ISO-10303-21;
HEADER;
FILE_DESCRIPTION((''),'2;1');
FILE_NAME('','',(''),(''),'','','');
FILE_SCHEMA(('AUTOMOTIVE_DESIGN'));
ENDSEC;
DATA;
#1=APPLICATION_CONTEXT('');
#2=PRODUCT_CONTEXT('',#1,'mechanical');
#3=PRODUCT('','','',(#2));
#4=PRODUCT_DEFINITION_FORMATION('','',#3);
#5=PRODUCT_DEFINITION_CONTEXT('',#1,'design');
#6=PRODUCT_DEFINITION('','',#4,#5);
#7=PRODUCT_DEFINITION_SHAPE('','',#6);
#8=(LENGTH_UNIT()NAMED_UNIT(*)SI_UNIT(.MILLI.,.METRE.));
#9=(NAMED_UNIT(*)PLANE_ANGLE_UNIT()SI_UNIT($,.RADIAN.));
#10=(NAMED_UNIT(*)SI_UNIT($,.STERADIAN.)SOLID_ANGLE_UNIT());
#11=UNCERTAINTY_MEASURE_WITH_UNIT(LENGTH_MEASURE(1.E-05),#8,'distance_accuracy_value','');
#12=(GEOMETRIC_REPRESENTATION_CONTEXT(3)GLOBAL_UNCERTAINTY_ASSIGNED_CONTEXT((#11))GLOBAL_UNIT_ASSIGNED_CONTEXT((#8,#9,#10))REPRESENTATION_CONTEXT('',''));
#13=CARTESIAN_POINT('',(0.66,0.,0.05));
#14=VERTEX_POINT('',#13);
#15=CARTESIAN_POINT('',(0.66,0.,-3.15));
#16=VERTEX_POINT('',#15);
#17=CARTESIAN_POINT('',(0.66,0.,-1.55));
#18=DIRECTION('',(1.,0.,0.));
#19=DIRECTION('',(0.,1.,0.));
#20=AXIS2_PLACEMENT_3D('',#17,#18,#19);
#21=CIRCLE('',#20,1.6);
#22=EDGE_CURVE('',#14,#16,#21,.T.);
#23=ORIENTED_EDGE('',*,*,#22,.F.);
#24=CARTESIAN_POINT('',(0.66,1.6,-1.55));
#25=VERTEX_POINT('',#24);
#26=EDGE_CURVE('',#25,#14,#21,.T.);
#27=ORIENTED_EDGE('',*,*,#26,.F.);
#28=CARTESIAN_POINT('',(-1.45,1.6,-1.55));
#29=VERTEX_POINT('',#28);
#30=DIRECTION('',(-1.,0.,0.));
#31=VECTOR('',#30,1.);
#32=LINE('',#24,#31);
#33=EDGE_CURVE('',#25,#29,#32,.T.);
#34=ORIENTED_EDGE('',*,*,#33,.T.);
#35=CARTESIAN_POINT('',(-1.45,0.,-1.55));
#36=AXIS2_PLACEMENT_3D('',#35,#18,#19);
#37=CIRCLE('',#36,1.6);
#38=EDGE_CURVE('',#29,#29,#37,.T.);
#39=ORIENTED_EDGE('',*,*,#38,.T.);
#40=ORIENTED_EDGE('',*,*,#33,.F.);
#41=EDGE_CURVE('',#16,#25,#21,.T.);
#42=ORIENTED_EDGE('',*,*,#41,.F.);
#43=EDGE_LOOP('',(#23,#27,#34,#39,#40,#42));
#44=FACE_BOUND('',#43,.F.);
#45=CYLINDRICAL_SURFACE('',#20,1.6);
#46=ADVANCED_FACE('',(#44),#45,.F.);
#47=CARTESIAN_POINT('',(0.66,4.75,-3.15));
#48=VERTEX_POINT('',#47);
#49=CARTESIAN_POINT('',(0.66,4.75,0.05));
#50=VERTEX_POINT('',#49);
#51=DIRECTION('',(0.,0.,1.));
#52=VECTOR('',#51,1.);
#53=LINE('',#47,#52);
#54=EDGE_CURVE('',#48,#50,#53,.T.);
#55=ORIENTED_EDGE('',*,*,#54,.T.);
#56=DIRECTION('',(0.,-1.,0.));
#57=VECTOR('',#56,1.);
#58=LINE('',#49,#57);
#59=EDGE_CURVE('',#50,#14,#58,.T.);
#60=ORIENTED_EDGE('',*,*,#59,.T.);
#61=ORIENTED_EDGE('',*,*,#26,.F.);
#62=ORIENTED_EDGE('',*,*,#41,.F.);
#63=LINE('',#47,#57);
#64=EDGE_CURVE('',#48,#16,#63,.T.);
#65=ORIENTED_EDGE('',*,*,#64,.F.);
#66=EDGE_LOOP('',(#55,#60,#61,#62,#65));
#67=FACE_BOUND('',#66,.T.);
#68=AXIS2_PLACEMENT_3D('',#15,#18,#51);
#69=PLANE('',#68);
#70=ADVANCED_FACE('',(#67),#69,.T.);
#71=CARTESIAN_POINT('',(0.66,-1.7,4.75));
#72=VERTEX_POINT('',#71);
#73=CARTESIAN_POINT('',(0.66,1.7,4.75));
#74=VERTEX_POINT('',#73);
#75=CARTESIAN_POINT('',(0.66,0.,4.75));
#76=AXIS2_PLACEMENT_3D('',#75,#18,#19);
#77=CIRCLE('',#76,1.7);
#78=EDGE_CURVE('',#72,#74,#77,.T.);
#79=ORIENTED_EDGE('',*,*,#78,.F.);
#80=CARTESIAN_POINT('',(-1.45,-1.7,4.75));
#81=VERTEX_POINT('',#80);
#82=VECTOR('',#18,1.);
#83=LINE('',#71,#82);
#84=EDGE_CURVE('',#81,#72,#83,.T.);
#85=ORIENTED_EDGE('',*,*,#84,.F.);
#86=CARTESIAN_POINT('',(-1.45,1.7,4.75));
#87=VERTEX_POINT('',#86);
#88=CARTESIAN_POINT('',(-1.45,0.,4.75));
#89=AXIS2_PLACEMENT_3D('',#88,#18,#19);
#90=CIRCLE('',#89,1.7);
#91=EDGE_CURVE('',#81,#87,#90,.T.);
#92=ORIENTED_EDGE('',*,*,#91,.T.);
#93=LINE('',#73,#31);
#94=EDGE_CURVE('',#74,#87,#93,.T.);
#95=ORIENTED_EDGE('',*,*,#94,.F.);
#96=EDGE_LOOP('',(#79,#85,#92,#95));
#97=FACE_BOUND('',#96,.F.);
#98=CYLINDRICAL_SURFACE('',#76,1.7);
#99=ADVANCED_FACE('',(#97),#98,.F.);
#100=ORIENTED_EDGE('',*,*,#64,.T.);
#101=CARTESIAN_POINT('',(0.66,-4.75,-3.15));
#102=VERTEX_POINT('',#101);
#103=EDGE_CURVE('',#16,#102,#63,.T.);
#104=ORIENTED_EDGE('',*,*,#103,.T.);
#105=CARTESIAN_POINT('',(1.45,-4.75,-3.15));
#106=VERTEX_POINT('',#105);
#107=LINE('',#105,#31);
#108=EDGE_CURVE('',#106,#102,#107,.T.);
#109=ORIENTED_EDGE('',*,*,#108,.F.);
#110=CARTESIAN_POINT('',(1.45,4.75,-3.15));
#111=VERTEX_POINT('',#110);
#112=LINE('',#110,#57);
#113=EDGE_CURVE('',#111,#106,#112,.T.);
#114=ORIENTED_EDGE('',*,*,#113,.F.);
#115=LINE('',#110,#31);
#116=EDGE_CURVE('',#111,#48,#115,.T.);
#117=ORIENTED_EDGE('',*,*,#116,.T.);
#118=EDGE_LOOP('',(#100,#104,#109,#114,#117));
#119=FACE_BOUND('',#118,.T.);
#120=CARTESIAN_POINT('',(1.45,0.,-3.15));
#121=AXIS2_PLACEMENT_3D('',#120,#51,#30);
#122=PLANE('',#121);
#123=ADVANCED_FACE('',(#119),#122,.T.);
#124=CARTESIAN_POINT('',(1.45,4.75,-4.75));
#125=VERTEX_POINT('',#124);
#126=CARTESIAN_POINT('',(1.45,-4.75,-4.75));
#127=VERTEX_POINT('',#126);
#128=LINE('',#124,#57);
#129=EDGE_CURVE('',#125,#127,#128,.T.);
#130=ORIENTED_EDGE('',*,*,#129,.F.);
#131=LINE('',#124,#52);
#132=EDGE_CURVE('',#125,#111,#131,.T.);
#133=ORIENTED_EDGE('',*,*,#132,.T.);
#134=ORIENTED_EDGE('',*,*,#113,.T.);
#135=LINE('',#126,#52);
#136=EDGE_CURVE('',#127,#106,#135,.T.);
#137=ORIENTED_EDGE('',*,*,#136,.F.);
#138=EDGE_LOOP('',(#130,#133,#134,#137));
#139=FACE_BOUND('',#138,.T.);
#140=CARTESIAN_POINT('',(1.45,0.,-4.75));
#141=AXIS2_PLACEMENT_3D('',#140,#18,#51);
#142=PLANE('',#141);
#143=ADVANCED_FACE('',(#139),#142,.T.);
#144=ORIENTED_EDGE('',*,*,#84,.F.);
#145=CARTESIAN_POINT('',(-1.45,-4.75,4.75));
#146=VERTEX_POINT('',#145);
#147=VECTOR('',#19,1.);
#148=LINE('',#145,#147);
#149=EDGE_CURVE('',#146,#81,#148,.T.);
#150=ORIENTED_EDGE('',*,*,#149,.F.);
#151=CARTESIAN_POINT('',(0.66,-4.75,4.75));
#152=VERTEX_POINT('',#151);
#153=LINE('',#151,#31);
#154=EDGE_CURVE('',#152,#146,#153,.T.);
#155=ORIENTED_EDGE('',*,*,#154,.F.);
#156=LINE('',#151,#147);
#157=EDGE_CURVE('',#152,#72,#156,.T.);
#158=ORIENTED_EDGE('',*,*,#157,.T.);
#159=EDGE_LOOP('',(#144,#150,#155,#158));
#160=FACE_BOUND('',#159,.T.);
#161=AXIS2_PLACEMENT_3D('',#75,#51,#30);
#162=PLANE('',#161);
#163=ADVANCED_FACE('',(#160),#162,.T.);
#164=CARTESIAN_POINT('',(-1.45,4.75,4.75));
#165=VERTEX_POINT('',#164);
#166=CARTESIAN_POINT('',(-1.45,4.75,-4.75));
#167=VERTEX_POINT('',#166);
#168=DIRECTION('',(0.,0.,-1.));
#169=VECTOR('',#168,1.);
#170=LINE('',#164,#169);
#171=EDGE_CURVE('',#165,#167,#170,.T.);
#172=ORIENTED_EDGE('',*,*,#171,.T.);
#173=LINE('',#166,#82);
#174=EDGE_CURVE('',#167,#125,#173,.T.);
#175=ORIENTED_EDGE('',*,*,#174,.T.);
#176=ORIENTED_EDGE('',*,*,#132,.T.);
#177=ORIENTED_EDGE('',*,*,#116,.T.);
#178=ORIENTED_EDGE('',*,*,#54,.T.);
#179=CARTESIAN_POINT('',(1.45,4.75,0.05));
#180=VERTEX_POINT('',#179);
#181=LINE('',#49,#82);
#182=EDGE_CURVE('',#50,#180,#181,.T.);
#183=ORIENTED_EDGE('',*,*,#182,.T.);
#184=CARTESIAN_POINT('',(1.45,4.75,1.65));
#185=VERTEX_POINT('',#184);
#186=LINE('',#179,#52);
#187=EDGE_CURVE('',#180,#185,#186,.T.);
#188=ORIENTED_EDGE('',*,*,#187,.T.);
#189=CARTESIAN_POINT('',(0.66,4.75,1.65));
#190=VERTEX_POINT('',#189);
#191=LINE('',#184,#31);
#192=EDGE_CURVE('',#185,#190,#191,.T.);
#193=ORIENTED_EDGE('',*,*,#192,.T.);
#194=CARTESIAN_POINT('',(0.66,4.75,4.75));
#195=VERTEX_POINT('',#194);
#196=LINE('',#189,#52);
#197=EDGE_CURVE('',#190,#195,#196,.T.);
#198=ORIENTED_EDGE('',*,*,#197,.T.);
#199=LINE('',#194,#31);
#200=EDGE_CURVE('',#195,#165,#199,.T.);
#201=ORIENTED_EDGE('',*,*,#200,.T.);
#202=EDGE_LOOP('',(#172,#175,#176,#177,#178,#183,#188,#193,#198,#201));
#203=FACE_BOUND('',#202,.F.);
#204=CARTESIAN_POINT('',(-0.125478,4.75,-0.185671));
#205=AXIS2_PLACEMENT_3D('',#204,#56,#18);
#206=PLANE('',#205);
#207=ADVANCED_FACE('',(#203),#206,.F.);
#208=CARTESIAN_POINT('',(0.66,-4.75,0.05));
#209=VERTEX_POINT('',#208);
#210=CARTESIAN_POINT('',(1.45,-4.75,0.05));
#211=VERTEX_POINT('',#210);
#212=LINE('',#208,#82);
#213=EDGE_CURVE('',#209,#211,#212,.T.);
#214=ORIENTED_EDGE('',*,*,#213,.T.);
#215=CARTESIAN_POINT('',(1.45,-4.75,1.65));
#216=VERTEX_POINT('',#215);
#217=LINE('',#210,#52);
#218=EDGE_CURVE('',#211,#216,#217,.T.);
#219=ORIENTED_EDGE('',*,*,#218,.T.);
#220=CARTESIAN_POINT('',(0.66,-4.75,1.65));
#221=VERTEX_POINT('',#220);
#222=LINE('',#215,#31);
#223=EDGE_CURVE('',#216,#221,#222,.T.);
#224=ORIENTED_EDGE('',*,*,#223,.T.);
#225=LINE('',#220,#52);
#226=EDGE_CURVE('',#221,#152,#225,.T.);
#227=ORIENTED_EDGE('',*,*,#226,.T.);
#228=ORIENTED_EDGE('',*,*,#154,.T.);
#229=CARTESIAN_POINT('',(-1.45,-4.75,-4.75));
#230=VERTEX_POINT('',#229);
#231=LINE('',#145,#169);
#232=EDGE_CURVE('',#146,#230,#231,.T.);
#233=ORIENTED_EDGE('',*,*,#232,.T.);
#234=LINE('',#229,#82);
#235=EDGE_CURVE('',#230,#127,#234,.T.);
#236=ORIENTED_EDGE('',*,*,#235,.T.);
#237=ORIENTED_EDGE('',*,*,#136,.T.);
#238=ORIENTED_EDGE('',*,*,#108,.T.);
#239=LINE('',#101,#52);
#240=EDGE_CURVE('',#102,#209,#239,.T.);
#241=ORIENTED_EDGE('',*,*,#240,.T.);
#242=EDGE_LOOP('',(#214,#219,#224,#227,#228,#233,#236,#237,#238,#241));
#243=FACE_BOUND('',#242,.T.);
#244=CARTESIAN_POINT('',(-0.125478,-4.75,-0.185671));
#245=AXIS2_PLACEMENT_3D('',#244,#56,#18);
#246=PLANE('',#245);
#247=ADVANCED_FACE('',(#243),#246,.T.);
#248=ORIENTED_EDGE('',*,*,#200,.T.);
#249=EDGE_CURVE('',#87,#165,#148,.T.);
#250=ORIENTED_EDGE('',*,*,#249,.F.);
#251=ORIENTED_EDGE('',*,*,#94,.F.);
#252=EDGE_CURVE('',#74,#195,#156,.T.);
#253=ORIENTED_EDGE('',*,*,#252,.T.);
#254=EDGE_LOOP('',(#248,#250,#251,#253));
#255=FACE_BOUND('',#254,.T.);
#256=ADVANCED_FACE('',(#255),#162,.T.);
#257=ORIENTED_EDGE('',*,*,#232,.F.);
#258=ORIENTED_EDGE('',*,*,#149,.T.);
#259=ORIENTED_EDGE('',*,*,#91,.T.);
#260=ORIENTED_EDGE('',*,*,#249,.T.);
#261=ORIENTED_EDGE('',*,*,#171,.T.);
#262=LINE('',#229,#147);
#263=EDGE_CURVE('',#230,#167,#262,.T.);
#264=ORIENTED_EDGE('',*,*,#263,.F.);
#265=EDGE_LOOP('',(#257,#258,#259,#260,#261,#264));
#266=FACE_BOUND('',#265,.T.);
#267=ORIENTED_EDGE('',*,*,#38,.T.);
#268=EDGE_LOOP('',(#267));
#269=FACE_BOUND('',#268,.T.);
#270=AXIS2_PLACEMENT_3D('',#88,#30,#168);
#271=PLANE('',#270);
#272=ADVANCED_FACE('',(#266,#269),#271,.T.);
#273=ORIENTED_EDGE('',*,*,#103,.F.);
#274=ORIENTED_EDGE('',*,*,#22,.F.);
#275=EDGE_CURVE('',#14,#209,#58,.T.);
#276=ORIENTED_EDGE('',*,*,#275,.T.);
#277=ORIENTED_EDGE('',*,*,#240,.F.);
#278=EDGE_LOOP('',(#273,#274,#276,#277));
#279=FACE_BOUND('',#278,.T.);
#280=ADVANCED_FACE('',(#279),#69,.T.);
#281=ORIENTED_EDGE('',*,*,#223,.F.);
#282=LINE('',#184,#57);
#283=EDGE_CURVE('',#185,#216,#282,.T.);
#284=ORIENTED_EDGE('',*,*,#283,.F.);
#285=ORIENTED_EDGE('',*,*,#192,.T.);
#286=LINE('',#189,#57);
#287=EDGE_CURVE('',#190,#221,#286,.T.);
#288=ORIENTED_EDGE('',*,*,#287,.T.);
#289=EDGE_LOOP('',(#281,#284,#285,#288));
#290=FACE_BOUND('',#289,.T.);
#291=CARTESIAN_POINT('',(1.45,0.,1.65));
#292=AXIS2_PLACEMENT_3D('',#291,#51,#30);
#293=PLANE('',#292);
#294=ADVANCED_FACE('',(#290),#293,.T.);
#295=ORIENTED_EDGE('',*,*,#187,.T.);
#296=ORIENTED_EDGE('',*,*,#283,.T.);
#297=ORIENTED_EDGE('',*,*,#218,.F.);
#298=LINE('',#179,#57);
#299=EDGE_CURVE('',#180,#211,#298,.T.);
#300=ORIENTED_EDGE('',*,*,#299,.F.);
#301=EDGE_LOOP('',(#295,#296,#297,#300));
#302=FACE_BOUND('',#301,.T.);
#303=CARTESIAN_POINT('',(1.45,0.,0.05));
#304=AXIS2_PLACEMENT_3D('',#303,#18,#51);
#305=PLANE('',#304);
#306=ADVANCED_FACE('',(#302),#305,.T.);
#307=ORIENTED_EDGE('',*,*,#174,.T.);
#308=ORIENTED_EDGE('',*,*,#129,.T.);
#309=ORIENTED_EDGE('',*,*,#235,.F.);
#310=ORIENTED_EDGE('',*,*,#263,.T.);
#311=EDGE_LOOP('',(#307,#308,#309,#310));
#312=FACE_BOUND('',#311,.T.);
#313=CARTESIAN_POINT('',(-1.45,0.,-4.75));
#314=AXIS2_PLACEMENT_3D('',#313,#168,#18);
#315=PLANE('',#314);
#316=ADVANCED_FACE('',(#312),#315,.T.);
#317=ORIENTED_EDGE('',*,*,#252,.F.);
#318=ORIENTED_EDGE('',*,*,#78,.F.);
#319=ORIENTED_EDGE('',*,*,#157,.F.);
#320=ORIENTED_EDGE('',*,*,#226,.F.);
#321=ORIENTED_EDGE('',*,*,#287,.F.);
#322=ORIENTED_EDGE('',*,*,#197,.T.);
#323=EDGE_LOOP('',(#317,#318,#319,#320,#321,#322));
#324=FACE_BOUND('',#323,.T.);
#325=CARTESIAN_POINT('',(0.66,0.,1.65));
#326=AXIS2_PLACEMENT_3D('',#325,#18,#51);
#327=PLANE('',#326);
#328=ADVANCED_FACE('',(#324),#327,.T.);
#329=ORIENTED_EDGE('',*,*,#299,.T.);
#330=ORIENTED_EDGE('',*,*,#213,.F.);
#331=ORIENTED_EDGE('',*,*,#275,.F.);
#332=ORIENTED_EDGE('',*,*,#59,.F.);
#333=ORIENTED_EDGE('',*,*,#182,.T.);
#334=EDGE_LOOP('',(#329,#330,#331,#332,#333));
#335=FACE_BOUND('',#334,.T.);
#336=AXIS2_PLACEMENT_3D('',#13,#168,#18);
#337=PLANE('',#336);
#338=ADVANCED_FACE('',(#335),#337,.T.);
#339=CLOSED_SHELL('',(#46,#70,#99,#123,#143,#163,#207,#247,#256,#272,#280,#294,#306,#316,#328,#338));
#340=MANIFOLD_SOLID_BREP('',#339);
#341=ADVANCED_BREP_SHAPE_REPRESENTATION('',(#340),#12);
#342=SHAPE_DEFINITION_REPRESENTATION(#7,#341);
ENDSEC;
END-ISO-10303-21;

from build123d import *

# Parameters (mm, degrees)
F1_DEPTH = 4.75
F2_R     = 1.7
F3_DEPTH = 2.111
F4_R     = 1.6
F5_DEPTH = 2.111


with BuildPart() as f1:
    # F0 (on Front) → F1 (new body, symmetric)
    with BuildSketch(Plane.XZ):
        Polygon((-1.45, -4.75), (1.45, -4.75), (1.45, -3.15), (0.66, -3.15), (0.66, 0.05), (1.45, 0.05), (1.45, 1.65), (0.66, 1.65), (0.66, 4.75), (-1.45, 4.75), align=None)
    extrude(amount=F1_DEPTH, both=True)

    # F2 (on face) → F3 (cut, through all)
    with BuildSketch(Plane.YZ.offset(0.66)):
        with Locations((0, 4.75)):
            Circle(F2_R)
    extrude(amount=-F3_DEPTH, mode=Mode.SUBTRACT)

    # F4 (on face) → F5 (cut, through all)
    with BuildSketch(Plane.YZ.offset(0.66)):
        with Locations((0, -1.55)):
            Circle(F4_R)
    extrude(amount=-F5_DEPTH, mode=Mode.SUBTRACT)


solid = f1.part
